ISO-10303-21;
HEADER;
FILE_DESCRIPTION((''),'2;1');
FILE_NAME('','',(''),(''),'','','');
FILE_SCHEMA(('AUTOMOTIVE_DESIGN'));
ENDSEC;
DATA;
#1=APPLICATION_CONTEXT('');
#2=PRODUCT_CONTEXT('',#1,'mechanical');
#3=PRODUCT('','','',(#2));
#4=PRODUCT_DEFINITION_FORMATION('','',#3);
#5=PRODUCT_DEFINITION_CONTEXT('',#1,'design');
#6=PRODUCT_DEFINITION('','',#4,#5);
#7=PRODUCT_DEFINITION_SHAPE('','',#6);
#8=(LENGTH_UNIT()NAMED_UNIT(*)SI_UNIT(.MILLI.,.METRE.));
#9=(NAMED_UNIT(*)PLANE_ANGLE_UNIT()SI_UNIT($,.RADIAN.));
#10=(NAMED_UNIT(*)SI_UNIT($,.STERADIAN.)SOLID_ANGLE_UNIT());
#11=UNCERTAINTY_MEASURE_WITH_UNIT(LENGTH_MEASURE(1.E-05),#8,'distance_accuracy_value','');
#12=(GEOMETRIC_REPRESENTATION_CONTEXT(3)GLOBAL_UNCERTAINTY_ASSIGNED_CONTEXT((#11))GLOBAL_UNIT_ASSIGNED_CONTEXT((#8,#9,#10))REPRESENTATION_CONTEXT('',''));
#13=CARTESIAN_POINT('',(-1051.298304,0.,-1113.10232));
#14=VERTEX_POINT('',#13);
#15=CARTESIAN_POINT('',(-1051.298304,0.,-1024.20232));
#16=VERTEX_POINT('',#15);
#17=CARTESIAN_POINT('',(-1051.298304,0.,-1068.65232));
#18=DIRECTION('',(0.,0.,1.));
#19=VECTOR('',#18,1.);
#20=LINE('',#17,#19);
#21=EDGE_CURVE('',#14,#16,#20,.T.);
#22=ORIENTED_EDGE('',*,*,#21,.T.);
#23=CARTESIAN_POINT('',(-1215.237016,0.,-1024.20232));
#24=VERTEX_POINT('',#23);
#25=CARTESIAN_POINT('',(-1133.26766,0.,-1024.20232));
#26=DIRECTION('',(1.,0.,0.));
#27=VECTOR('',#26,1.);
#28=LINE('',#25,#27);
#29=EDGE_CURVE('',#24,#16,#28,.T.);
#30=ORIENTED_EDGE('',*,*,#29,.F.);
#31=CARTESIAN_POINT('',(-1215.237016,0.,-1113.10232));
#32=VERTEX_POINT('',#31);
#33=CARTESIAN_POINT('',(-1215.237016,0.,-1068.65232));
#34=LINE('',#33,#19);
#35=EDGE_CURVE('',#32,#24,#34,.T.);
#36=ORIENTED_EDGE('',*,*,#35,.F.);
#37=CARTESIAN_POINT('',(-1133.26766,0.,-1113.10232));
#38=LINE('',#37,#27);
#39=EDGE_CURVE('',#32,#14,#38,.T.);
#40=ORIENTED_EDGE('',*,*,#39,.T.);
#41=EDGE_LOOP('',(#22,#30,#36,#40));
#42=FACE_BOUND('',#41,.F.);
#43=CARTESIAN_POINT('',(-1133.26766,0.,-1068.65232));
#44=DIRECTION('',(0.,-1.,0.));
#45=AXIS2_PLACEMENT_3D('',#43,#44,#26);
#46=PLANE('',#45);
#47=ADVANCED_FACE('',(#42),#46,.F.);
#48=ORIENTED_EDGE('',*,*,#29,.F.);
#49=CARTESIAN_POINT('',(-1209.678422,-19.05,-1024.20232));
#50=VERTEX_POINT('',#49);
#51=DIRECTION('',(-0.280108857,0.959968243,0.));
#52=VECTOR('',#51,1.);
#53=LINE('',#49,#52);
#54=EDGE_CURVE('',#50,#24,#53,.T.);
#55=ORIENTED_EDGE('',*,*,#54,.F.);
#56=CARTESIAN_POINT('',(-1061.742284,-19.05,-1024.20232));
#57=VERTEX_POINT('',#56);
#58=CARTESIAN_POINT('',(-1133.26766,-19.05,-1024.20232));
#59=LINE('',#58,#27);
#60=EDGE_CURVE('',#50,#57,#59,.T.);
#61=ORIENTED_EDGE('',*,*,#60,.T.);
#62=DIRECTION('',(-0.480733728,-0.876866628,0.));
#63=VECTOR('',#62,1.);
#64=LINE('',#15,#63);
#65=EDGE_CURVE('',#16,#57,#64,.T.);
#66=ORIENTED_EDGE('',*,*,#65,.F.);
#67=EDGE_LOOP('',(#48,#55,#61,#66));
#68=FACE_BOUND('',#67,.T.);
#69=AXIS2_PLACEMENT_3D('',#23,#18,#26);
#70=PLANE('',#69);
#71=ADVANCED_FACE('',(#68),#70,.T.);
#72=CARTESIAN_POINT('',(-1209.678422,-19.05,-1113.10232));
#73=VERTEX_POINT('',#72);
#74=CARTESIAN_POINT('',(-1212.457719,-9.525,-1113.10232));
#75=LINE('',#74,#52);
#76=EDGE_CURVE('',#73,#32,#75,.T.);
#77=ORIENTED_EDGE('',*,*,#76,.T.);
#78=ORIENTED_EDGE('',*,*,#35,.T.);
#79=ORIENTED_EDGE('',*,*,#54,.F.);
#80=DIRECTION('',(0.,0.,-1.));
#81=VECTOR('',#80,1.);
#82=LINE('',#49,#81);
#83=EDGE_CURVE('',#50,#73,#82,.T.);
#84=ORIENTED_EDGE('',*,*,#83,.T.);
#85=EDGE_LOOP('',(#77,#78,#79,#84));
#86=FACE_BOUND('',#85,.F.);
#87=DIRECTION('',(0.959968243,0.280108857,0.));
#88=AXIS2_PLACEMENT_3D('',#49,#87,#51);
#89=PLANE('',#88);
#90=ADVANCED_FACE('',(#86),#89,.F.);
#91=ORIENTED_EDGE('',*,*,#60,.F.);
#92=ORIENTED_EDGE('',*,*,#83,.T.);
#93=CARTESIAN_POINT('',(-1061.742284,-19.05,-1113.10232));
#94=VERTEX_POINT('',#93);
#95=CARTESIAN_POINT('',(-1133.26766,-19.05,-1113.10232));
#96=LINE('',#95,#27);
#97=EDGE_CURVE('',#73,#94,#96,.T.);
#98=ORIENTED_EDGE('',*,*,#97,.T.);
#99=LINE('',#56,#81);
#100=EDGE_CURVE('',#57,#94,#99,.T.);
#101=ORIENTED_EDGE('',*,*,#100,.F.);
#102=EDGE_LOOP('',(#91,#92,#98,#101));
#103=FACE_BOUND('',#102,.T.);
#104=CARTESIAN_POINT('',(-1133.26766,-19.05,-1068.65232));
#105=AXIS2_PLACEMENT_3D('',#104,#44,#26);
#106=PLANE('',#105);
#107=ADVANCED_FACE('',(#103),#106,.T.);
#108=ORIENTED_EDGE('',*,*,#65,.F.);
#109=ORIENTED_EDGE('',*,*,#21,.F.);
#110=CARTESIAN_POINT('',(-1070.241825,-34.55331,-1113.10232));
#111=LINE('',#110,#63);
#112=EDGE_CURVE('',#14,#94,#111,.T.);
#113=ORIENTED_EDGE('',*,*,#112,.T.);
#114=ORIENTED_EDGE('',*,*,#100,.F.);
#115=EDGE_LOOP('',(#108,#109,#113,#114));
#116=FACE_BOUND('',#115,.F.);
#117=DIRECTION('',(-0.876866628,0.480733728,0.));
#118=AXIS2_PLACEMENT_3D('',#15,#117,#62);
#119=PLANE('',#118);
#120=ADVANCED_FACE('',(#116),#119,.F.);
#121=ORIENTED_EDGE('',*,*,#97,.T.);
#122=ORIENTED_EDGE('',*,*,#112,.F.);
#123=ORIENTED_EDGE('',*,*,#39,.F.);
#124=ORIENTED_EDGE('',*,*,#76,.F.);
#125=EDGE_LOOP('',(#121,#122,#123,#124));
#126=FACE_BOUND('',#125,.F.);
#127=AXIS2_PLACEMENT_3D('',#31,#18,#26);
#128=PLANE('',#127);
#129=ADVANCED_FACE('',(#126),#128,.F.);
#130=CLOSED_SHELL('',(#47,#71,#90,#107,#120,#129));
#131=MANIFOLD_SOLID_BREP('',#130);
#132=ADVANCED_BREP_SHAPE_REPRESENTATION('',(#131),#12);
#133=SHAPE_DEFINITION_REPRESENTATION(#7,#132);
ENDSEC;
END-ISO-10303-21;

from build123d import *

# Parameters (mm, degrees)
F0_W     = 163.938712
F0_H     = 88.9
F1_DEPTH = 19.05
F3_DEPTH = 88.901
F4_DEPTH = 88.901


with BuildPart() as f1:
    # F0 (on Front) → F1 (new body)
    with BuildSketch(Plane.XZ):
        with Locations((-1133.26766, -1068.65232)):
            Rectangle(F0_W, F0_H)
    extrude(amount=F1_DEPTH)

    # F2 (on face) → F3 (cut, through all)
    with BuildSketch(Plane.XY.offset(-1024.20232)):
        Polygon((-1209.678422, -19.05), (-1215.237016, 0), (-1215.237016, -19.05), align=None)
    extrude(amount=-F3_DEPTH, mode=Mode.SUBTRACT)

    # F2 (on face) → F4 (cut, through all)
    with BuildSketch(Plane.XY.offset(-1024.20232)):
        Polygon((-1051.298304, -19.05), (-1051.298304, 0), (-1061.742284, -19.05), align=None)
    extrude(amount=-F4_DEPTH, mode=Mode.SUBTRACT)


solid = f1.part
